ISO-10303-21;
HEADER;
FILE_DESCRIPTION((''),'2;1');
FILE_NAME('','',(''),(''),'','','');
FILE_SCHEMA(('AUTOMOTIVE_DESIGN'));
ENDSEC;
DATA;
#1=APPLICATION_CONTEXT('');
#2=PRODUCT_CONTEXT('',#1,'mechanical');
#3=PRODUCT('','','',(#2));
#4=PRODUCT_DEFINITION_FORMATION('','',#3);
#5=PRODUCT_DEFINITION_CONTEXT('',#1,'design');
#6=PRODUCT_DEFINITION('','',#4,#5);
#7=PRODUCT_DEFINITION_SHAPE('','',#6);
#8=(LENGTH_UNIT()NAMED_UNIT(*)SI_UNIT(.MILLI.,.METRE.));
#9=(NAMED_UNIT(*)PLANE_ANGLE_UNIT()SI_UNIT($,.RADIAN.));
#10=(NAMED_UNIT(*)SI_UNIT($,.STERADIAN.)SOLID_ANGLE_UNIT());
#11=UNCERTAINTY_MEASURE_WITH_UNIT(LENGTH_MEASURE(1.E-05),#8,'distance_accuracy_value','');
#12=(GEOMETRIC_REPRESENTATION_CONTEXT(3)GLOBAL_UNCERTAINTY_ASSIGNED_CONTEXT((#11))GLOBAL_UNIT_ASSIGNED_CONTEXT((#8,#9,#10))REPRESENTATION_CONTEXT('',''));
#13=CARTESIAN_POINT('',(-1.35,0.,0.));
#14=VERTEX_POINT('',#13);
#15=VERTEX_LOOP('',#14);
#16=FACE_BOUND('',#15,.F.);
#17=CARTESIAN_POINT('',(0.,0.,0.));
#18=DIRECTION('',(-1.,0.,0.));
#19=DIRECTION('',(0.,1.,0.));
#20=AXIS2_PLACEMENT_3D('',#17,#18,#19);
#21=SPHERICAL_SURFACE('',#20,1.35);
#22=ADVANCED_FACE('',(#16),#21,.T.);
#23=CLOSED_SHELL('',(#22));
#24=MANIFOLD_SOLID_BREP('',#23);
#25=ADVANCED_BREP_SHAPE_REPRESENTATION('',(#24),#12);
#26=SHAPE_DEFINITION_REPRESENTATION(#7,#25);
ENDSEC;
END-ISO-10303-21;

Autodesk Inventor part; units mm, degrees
sketch "Sketch_1" plane through (0, 0, 0) normal (0, 0, 1) x (1, 0, 0)
  line L0 (1.35, 0) -> (-1.35, 0)
  arc A0 (1.35, 0) -> (-1.35, 0) centre (0, 0) ccw
  line L1 (1.35, 0) -> (-1.35, 0)
revolve "Revolution1" add sketch "Sketch_1" angle 360 about axis through (1.35, 0, 0) along (1, 0, 0)
ref_plane "ip_st_1_XY" through (0, 0, 0) normal (-1, 0, 0) x (0, 0, -1)
ref_plane "ip_st_1_YZ" through (0, 0, 0) normal (0, 0, -1) x (0, -1, 0)
ref_plane "ip_st_1_ZX" through (0, 0, 0) normal (0, -1, 0) x (-1, 0, 0)
properties part number "F624ZZ Ball"
